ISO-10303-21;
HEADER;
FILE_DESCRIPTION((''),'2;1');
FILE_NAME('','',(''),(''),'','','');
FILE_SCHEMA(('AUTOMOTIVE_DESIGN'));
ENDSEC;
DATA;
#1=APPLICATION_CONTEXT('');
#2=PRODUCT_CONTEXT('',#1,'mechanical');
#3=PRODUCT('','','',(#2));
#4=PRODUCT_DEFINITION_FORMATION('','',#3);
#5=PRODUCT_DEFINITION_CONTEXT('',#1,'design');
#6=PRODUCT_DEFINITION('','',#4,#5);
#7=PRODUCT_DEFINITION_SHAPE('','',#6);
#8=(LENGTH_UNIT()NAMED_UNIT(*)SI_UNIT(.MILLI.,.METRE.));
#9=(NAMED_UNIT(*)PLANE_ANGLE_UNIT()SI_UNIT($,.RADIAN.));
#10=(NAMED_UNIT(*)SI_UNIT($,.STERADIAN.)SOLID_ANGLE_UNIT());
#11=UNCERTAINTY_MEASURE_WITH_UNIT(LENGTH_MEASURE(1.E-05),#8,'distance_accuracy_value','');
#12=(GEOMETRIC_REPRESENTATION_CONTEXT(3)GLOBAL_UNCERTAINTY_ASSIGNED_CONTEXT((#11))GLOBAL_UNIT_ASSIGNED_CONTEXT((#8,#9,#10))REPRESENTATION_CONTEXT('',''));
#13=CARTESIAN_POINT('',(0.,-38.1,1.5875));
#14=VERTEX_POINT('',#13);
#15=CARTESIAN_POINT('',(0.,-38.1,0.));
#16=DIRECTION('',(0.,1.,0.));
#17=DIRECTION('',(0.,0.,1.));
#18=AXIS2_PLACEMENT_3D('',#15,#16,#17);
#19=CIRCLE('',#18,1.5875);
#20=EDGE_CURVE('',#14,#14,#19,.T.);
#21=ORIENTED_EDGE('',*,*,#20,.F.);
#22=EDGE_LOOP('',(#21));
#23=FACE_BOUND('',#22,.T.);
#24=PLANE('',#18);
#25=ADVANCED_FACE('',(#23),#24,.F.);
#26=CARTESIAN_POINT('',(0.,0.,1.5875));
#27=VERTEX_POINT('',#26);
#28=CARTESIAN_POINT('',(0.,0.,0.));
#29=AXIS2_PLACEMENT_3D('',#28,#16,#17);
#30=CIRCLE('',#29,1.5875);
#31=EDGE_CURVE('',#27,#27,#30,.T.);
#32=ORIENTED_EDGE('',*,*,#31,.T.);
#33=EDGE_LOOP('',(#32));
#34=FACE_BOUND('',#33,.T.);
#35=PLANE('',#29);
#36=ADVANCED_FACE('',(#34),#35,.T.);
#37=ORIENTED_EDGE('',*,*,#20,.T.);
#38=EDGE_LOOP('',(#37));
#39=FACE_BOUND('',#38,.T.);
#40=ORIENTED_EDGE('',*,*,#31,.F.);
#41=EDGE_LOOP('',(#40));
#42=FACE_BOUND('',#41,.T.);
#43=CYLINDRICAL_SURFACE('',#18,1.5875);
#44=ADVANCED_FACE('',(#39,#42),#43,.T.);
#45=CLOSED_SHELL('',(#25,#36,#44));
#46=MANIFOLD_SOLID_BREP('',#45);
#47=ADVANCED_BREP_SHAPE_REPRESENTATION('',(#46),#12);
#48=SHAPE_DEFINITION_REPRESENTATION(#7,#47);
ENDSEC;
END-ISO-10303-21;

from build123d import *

# Parameters (mm, degrees)
SKETCH1_R      = 1.5875
EXTRUDE1_DEPTH = 38.1


with BuildPart() as part:
    # Sketch1 → Extrude1 (new body)
    with BuildSketch(Plane(origin=(0, 0, 0), x_dir=(1, 0, 0), z_dir=(0, 1, 0))):
        Circle(SKETCH1_R)
    extrude(amount=-EXTRUDE1_DEPTH)


solid = part.part
